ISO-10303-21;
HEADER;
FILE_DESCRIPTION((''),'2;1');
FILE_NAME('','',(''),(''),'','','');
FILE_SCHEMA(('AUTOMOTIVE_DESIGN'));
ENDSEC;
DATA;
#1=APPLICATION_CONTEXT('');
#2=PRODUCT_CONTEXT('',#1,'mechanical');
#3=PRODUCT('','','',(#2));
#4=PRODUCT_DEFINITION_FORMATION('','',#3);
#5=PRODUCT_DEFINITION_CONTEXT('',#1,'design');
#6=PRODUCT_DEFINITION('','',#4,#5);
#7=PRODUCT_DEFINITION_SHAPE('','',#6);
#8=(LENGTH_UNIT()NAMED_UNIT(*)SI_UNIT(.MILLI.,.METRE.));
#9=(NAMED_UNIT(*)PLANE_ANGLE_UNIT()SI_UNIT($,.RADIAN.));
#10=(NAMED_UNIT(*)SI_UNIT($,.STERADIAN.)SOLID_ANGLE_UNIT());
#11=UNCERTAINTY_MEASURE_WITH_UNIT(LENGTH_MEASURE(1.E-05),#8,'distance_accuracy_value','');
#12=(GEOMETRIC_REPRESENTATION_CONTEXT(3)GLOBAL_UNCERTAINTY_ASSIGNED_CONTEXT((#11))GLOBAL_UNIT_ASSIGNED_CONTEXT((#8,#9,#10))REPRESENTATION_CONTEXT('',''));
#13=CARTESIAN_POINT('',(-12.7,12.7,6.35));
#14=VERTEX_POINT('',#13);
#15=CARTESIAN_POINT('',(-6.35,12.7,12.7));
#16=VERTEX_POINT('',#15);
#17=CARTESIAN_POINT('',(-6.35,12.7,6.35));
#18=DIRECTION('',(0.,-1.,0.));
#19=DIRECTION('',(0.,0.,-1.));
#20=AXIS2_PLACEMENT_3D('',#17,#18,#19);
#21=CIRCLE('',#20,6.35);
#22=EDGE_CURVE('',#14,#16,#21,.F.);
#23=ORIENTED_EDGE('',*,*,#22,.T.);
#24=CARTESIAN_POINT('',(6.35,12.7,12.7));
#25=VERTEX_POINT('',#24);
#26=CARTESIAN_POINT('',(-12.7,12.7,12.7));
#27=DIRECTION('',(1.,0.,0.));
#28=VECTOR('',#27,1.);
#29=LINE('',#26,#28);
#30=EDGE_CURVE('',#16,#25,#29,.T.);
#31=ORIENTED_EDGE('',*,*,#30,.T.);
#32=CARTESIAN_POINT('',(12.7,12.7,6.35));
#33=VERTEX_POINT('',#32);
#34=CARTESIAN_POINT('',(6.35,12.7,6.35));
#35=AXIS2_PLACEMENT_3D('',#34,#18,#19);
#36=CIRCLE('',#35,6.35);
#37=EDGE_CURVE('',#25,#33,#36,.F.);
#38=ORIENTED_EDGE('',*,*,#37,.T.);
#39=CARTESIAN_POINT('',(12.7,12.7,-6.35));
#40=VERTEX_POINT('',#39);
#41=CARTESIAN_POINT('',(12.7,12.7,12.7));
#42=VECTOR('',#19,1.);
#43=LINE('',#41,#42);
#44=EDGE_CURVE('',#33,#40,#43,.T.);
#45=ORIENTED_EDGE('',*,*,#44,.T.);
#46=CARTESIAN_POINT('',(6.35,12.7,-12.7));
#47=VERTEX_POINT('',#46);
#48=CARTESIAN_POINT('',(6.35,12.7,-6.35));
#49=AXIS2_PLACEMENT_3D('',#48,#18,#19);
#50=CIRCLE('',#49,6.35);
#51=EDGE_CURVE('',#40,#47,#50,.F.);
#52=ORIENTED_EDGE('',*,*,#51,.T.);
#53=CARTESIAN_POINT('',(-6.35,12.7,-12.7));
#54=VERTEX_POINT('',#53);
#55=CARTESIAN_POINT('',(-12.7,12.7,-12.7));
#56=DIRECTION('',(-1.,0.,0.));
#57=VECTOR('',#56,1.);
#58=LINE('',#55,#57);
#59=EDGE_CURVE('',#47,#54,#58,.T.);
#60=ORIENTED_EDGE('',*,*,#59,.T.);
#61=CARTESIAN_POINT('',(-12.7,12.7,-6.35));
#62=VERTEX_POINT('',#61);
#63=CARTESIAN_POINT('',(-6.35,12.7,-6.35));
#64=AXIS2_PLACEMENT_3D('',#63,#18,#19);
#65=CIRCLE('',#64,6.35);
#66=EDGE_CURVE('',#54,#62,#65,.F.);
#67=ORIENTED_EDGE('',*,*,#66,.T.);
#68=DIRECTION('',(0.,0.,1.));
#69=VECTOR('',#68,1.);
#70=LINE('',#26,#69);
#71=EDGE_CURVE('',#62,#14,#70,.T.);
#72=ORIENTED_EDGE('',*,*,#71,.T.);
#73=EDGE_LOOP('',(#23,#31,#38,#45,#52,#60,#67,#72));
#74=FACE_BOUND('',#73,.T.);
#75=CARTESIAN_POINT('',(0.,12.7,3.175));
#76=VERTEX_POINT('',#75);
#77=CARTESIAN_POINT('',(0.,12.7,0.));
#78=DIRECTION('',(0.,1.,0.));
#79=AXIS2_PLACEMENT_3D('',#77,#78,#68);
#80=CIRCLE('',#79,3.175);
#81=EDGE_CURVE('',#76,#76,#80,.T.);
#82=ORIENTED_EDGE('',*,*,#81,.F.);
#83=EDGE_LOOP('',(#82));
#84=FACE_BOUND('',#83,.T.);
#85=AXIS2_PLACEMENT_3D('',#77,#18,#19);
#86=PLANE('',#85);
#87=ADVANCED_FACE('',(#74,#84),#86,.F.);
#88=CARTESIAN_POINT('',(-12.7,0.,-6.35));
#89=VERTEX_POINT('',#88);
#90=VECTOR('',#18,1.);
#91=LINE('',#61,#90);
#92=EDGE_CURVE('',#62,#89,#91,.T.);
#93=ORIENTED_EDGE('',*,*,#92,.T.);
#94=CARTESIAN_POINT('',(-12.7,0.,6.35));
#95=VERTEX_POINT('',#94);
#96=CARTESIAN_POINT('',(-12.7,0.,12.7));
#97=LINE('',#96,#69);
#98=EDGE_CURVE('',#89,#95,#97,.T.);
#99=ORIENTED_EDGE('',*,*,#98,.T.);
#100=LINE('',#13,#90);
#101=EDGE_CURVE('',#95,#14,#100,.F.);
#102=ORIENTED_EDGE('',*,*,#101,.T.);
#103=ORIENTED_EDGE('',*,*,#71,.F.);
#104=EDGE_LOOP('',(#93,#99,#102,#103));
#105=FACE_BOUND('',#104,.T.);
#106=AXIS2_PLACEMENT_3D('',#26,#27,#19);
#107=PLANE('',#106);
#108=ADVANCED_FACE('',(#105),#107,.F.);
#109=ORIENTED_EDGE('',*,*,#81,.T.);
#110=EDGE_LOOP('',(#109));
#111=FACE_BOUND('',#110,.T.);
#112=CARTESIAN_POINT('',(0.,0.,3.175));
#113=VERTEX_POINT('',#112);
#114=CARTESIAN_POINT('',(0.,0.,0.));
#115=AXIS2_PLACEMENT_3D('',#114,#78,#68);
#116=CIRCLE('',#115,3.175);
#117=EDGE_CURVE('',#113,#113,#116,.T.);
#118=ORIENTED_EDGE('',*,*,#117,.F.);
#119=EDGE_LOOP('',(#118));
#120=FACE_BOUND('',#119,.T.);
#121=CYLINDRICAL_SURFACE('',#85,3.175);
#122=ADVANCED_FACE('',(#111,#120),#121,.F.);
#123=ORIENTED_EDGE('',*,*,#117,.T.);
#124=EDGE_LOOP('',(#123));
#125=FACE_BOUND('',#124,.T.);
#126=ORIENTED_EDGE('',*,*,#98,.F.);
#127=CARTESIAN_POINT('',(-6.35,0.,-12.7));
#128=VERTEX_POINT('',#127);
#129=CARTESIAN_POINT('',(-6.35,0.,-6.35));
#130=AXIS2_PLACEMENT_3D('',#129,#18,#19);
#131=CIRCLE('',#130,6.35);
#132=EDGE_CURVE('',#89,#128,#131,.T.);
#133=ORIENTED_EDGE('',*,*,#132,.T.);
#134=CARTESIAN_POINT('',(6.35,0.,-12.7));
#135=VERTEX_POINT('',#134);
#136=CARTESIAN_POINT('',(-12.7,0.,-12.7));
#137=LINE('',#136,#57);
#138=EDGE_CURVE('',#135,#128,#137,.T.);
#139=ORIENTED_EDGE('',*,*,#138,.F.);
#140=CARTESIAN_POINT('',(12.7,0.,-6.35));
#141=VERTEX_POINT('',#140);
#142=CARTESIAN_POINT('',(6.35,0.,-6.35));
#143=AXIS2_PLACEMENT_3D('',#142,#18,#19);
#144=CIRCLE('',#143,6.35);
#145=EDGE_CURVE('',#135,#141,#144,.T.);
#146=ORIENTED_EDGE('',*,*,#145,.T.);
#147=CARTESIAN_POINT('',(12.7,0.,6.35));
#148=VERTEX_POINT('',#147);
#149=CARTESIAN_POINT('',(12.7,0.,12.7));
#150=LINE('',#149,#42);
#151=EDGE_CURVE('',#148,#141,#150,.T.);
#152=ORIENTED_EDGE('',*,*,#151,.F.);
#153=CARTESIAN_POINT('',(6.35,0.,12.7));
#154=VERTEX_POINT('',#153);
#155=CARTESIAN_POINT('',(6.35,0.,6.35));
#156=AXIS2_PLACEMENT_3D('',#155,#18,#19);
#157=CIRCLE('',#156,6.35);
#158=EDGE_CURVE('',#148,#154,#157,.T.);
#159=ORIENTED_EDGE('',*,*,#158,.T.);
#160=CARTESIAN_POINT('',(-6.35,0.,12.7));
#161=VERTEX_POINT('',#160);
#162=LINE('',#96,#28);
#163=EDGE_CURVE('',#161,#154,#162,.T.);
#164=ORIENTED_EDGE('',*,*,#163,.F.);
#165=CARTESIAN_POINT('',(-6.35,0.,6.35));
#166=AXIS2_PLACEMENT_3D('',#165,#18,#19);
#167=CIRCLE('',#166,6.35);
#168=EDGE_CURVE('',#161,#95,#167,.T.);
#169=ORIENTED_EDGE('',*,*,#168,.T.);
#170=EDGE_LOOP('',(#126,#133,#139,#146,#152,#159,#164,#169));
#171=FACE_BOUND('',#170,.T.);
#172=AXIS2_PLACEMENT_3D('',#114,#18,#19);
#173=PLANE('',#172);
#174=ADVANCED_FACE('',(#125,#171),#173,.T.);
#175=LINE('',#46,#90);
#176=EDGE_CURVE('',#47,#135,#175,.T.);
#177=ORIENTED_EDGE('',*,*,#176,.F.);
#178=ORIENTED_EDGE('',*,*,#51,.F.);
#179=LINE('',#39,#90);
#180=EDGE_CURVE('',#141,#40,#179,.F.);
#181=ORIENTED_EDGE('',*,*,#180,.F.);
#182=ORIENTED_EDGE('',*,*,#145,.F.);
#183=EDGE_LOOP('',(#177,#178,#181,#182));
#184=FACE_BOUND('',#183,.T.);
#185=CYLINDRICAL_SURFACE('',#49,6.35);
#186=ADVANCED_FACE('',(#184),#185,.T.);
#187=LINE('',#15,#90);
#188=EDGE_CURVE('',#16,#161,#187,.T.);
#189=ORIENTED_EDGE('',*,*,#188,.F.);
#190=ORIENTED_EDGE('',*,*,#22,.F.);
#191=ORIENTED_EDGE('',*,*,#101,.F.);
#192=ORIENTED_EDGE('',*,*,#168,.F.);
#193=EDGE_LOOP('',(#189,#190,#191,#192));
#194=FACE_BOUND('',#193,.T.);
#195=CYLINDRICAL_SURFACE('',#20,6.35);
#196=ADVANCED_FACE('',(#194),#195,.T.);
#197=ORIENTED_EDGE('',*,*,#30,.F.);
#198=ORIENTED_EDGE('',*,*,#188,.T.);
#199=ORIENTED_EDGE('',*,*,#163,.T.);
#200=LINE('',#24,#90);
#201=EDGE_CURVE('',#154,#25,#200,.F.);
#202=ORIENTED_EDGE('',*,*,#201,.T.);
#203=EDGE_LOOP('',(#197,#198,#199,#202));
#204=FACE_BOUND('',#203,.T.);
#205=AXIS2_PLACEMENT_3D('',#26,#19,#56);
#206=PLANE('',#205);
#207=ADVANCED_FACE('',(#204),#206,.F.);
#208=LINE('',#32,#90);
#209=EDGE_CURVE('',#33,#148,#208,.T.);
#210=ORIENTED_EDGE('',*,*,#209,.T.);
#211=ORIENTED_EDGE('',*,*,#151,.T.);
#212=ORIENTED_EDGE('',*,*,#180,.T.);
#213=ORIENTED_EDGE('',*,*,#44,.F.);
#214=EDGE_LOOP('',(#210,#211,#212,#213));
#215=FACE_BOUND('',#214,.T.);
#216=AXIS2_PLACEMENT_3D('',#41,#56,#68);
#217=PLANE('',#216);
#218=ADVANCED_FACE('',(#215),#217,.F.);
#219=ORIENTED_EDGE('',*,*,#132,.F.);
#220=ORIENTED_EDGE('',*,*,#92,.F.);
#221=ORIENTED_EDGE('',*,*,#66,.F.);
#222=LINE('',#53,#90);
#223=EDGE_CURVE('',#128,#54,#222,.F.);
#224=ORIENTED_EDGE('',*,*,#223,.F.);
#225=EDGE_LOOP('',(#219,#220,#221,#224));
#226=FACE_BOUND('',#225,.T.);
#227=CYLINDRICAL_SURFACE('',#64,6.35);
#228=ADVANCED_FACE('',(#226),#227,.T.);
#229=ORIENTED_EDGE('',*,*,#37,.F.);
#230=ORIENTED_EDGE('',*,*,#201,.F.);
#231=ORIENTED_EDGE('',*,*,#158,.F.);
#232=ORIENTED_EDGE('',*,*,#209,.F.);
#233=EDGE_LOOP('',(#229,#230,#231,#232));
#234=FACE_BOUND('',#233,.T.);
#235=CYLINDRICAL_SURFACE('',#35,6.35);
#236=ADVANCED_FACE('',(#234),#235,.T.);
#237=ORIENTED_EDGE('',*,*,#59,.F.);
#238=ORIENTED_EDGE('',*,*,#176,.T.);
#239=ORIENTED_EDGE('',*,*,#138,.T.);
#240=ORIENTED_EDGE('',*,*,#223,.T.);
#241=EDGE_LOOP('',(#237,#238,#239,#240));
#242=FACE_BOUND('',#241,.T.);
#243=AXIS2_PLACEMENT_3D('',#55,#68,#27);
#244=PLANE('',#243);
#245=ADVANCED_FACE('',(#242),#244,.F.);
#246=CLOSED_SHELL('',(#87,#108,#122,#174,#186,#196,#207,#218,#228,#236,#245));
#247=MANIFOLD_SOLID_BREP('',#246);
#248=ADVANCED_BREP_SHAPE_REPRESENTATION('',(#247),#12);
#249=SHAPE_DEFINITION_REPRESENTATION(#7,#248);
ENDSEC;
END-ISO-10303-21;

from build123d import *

# Parameters (mm, degrees)
SKETCH1_W           = 25.4
SKETCH1_H           = 25.4
SKETCH1_R           = 3.175
BOSS_EXTRUDE1_DEPTH = 12.7
FILLET1_R           = 6.35


with BuildPart() as part:
    # Sketch1 → Boss-Extrude1 (new body)
    with BuildSketch(Plane(origin=(0, 0, 0), x_dir=(1, 0, 0), z_dir=(0, 1, 0))):
        Rectangle(SKETCH1_W, SKETCH1_H)
        with Locations(Location((0, 0, 0), (0, 0, 270))):
            Circle(SKETCH1_R, mode=Mode.SUBTRACT)
    extrude(amount=BOSS_EXTRUDE1_DEPTH)

    # Fillet1
    fillet1_edges = [part.edges().sort_by_distance(p)[0] for p in [
        (12.7, 6.35, 12.7),
        (-12.7, 6.35, 12.7),
        (-12.7, 6.35, -12.7),
        (12.7, 6.35, -12.7),
    ]]
    fillet(fillet1_edges, radius=FILLET1_R)


solid = part.part
